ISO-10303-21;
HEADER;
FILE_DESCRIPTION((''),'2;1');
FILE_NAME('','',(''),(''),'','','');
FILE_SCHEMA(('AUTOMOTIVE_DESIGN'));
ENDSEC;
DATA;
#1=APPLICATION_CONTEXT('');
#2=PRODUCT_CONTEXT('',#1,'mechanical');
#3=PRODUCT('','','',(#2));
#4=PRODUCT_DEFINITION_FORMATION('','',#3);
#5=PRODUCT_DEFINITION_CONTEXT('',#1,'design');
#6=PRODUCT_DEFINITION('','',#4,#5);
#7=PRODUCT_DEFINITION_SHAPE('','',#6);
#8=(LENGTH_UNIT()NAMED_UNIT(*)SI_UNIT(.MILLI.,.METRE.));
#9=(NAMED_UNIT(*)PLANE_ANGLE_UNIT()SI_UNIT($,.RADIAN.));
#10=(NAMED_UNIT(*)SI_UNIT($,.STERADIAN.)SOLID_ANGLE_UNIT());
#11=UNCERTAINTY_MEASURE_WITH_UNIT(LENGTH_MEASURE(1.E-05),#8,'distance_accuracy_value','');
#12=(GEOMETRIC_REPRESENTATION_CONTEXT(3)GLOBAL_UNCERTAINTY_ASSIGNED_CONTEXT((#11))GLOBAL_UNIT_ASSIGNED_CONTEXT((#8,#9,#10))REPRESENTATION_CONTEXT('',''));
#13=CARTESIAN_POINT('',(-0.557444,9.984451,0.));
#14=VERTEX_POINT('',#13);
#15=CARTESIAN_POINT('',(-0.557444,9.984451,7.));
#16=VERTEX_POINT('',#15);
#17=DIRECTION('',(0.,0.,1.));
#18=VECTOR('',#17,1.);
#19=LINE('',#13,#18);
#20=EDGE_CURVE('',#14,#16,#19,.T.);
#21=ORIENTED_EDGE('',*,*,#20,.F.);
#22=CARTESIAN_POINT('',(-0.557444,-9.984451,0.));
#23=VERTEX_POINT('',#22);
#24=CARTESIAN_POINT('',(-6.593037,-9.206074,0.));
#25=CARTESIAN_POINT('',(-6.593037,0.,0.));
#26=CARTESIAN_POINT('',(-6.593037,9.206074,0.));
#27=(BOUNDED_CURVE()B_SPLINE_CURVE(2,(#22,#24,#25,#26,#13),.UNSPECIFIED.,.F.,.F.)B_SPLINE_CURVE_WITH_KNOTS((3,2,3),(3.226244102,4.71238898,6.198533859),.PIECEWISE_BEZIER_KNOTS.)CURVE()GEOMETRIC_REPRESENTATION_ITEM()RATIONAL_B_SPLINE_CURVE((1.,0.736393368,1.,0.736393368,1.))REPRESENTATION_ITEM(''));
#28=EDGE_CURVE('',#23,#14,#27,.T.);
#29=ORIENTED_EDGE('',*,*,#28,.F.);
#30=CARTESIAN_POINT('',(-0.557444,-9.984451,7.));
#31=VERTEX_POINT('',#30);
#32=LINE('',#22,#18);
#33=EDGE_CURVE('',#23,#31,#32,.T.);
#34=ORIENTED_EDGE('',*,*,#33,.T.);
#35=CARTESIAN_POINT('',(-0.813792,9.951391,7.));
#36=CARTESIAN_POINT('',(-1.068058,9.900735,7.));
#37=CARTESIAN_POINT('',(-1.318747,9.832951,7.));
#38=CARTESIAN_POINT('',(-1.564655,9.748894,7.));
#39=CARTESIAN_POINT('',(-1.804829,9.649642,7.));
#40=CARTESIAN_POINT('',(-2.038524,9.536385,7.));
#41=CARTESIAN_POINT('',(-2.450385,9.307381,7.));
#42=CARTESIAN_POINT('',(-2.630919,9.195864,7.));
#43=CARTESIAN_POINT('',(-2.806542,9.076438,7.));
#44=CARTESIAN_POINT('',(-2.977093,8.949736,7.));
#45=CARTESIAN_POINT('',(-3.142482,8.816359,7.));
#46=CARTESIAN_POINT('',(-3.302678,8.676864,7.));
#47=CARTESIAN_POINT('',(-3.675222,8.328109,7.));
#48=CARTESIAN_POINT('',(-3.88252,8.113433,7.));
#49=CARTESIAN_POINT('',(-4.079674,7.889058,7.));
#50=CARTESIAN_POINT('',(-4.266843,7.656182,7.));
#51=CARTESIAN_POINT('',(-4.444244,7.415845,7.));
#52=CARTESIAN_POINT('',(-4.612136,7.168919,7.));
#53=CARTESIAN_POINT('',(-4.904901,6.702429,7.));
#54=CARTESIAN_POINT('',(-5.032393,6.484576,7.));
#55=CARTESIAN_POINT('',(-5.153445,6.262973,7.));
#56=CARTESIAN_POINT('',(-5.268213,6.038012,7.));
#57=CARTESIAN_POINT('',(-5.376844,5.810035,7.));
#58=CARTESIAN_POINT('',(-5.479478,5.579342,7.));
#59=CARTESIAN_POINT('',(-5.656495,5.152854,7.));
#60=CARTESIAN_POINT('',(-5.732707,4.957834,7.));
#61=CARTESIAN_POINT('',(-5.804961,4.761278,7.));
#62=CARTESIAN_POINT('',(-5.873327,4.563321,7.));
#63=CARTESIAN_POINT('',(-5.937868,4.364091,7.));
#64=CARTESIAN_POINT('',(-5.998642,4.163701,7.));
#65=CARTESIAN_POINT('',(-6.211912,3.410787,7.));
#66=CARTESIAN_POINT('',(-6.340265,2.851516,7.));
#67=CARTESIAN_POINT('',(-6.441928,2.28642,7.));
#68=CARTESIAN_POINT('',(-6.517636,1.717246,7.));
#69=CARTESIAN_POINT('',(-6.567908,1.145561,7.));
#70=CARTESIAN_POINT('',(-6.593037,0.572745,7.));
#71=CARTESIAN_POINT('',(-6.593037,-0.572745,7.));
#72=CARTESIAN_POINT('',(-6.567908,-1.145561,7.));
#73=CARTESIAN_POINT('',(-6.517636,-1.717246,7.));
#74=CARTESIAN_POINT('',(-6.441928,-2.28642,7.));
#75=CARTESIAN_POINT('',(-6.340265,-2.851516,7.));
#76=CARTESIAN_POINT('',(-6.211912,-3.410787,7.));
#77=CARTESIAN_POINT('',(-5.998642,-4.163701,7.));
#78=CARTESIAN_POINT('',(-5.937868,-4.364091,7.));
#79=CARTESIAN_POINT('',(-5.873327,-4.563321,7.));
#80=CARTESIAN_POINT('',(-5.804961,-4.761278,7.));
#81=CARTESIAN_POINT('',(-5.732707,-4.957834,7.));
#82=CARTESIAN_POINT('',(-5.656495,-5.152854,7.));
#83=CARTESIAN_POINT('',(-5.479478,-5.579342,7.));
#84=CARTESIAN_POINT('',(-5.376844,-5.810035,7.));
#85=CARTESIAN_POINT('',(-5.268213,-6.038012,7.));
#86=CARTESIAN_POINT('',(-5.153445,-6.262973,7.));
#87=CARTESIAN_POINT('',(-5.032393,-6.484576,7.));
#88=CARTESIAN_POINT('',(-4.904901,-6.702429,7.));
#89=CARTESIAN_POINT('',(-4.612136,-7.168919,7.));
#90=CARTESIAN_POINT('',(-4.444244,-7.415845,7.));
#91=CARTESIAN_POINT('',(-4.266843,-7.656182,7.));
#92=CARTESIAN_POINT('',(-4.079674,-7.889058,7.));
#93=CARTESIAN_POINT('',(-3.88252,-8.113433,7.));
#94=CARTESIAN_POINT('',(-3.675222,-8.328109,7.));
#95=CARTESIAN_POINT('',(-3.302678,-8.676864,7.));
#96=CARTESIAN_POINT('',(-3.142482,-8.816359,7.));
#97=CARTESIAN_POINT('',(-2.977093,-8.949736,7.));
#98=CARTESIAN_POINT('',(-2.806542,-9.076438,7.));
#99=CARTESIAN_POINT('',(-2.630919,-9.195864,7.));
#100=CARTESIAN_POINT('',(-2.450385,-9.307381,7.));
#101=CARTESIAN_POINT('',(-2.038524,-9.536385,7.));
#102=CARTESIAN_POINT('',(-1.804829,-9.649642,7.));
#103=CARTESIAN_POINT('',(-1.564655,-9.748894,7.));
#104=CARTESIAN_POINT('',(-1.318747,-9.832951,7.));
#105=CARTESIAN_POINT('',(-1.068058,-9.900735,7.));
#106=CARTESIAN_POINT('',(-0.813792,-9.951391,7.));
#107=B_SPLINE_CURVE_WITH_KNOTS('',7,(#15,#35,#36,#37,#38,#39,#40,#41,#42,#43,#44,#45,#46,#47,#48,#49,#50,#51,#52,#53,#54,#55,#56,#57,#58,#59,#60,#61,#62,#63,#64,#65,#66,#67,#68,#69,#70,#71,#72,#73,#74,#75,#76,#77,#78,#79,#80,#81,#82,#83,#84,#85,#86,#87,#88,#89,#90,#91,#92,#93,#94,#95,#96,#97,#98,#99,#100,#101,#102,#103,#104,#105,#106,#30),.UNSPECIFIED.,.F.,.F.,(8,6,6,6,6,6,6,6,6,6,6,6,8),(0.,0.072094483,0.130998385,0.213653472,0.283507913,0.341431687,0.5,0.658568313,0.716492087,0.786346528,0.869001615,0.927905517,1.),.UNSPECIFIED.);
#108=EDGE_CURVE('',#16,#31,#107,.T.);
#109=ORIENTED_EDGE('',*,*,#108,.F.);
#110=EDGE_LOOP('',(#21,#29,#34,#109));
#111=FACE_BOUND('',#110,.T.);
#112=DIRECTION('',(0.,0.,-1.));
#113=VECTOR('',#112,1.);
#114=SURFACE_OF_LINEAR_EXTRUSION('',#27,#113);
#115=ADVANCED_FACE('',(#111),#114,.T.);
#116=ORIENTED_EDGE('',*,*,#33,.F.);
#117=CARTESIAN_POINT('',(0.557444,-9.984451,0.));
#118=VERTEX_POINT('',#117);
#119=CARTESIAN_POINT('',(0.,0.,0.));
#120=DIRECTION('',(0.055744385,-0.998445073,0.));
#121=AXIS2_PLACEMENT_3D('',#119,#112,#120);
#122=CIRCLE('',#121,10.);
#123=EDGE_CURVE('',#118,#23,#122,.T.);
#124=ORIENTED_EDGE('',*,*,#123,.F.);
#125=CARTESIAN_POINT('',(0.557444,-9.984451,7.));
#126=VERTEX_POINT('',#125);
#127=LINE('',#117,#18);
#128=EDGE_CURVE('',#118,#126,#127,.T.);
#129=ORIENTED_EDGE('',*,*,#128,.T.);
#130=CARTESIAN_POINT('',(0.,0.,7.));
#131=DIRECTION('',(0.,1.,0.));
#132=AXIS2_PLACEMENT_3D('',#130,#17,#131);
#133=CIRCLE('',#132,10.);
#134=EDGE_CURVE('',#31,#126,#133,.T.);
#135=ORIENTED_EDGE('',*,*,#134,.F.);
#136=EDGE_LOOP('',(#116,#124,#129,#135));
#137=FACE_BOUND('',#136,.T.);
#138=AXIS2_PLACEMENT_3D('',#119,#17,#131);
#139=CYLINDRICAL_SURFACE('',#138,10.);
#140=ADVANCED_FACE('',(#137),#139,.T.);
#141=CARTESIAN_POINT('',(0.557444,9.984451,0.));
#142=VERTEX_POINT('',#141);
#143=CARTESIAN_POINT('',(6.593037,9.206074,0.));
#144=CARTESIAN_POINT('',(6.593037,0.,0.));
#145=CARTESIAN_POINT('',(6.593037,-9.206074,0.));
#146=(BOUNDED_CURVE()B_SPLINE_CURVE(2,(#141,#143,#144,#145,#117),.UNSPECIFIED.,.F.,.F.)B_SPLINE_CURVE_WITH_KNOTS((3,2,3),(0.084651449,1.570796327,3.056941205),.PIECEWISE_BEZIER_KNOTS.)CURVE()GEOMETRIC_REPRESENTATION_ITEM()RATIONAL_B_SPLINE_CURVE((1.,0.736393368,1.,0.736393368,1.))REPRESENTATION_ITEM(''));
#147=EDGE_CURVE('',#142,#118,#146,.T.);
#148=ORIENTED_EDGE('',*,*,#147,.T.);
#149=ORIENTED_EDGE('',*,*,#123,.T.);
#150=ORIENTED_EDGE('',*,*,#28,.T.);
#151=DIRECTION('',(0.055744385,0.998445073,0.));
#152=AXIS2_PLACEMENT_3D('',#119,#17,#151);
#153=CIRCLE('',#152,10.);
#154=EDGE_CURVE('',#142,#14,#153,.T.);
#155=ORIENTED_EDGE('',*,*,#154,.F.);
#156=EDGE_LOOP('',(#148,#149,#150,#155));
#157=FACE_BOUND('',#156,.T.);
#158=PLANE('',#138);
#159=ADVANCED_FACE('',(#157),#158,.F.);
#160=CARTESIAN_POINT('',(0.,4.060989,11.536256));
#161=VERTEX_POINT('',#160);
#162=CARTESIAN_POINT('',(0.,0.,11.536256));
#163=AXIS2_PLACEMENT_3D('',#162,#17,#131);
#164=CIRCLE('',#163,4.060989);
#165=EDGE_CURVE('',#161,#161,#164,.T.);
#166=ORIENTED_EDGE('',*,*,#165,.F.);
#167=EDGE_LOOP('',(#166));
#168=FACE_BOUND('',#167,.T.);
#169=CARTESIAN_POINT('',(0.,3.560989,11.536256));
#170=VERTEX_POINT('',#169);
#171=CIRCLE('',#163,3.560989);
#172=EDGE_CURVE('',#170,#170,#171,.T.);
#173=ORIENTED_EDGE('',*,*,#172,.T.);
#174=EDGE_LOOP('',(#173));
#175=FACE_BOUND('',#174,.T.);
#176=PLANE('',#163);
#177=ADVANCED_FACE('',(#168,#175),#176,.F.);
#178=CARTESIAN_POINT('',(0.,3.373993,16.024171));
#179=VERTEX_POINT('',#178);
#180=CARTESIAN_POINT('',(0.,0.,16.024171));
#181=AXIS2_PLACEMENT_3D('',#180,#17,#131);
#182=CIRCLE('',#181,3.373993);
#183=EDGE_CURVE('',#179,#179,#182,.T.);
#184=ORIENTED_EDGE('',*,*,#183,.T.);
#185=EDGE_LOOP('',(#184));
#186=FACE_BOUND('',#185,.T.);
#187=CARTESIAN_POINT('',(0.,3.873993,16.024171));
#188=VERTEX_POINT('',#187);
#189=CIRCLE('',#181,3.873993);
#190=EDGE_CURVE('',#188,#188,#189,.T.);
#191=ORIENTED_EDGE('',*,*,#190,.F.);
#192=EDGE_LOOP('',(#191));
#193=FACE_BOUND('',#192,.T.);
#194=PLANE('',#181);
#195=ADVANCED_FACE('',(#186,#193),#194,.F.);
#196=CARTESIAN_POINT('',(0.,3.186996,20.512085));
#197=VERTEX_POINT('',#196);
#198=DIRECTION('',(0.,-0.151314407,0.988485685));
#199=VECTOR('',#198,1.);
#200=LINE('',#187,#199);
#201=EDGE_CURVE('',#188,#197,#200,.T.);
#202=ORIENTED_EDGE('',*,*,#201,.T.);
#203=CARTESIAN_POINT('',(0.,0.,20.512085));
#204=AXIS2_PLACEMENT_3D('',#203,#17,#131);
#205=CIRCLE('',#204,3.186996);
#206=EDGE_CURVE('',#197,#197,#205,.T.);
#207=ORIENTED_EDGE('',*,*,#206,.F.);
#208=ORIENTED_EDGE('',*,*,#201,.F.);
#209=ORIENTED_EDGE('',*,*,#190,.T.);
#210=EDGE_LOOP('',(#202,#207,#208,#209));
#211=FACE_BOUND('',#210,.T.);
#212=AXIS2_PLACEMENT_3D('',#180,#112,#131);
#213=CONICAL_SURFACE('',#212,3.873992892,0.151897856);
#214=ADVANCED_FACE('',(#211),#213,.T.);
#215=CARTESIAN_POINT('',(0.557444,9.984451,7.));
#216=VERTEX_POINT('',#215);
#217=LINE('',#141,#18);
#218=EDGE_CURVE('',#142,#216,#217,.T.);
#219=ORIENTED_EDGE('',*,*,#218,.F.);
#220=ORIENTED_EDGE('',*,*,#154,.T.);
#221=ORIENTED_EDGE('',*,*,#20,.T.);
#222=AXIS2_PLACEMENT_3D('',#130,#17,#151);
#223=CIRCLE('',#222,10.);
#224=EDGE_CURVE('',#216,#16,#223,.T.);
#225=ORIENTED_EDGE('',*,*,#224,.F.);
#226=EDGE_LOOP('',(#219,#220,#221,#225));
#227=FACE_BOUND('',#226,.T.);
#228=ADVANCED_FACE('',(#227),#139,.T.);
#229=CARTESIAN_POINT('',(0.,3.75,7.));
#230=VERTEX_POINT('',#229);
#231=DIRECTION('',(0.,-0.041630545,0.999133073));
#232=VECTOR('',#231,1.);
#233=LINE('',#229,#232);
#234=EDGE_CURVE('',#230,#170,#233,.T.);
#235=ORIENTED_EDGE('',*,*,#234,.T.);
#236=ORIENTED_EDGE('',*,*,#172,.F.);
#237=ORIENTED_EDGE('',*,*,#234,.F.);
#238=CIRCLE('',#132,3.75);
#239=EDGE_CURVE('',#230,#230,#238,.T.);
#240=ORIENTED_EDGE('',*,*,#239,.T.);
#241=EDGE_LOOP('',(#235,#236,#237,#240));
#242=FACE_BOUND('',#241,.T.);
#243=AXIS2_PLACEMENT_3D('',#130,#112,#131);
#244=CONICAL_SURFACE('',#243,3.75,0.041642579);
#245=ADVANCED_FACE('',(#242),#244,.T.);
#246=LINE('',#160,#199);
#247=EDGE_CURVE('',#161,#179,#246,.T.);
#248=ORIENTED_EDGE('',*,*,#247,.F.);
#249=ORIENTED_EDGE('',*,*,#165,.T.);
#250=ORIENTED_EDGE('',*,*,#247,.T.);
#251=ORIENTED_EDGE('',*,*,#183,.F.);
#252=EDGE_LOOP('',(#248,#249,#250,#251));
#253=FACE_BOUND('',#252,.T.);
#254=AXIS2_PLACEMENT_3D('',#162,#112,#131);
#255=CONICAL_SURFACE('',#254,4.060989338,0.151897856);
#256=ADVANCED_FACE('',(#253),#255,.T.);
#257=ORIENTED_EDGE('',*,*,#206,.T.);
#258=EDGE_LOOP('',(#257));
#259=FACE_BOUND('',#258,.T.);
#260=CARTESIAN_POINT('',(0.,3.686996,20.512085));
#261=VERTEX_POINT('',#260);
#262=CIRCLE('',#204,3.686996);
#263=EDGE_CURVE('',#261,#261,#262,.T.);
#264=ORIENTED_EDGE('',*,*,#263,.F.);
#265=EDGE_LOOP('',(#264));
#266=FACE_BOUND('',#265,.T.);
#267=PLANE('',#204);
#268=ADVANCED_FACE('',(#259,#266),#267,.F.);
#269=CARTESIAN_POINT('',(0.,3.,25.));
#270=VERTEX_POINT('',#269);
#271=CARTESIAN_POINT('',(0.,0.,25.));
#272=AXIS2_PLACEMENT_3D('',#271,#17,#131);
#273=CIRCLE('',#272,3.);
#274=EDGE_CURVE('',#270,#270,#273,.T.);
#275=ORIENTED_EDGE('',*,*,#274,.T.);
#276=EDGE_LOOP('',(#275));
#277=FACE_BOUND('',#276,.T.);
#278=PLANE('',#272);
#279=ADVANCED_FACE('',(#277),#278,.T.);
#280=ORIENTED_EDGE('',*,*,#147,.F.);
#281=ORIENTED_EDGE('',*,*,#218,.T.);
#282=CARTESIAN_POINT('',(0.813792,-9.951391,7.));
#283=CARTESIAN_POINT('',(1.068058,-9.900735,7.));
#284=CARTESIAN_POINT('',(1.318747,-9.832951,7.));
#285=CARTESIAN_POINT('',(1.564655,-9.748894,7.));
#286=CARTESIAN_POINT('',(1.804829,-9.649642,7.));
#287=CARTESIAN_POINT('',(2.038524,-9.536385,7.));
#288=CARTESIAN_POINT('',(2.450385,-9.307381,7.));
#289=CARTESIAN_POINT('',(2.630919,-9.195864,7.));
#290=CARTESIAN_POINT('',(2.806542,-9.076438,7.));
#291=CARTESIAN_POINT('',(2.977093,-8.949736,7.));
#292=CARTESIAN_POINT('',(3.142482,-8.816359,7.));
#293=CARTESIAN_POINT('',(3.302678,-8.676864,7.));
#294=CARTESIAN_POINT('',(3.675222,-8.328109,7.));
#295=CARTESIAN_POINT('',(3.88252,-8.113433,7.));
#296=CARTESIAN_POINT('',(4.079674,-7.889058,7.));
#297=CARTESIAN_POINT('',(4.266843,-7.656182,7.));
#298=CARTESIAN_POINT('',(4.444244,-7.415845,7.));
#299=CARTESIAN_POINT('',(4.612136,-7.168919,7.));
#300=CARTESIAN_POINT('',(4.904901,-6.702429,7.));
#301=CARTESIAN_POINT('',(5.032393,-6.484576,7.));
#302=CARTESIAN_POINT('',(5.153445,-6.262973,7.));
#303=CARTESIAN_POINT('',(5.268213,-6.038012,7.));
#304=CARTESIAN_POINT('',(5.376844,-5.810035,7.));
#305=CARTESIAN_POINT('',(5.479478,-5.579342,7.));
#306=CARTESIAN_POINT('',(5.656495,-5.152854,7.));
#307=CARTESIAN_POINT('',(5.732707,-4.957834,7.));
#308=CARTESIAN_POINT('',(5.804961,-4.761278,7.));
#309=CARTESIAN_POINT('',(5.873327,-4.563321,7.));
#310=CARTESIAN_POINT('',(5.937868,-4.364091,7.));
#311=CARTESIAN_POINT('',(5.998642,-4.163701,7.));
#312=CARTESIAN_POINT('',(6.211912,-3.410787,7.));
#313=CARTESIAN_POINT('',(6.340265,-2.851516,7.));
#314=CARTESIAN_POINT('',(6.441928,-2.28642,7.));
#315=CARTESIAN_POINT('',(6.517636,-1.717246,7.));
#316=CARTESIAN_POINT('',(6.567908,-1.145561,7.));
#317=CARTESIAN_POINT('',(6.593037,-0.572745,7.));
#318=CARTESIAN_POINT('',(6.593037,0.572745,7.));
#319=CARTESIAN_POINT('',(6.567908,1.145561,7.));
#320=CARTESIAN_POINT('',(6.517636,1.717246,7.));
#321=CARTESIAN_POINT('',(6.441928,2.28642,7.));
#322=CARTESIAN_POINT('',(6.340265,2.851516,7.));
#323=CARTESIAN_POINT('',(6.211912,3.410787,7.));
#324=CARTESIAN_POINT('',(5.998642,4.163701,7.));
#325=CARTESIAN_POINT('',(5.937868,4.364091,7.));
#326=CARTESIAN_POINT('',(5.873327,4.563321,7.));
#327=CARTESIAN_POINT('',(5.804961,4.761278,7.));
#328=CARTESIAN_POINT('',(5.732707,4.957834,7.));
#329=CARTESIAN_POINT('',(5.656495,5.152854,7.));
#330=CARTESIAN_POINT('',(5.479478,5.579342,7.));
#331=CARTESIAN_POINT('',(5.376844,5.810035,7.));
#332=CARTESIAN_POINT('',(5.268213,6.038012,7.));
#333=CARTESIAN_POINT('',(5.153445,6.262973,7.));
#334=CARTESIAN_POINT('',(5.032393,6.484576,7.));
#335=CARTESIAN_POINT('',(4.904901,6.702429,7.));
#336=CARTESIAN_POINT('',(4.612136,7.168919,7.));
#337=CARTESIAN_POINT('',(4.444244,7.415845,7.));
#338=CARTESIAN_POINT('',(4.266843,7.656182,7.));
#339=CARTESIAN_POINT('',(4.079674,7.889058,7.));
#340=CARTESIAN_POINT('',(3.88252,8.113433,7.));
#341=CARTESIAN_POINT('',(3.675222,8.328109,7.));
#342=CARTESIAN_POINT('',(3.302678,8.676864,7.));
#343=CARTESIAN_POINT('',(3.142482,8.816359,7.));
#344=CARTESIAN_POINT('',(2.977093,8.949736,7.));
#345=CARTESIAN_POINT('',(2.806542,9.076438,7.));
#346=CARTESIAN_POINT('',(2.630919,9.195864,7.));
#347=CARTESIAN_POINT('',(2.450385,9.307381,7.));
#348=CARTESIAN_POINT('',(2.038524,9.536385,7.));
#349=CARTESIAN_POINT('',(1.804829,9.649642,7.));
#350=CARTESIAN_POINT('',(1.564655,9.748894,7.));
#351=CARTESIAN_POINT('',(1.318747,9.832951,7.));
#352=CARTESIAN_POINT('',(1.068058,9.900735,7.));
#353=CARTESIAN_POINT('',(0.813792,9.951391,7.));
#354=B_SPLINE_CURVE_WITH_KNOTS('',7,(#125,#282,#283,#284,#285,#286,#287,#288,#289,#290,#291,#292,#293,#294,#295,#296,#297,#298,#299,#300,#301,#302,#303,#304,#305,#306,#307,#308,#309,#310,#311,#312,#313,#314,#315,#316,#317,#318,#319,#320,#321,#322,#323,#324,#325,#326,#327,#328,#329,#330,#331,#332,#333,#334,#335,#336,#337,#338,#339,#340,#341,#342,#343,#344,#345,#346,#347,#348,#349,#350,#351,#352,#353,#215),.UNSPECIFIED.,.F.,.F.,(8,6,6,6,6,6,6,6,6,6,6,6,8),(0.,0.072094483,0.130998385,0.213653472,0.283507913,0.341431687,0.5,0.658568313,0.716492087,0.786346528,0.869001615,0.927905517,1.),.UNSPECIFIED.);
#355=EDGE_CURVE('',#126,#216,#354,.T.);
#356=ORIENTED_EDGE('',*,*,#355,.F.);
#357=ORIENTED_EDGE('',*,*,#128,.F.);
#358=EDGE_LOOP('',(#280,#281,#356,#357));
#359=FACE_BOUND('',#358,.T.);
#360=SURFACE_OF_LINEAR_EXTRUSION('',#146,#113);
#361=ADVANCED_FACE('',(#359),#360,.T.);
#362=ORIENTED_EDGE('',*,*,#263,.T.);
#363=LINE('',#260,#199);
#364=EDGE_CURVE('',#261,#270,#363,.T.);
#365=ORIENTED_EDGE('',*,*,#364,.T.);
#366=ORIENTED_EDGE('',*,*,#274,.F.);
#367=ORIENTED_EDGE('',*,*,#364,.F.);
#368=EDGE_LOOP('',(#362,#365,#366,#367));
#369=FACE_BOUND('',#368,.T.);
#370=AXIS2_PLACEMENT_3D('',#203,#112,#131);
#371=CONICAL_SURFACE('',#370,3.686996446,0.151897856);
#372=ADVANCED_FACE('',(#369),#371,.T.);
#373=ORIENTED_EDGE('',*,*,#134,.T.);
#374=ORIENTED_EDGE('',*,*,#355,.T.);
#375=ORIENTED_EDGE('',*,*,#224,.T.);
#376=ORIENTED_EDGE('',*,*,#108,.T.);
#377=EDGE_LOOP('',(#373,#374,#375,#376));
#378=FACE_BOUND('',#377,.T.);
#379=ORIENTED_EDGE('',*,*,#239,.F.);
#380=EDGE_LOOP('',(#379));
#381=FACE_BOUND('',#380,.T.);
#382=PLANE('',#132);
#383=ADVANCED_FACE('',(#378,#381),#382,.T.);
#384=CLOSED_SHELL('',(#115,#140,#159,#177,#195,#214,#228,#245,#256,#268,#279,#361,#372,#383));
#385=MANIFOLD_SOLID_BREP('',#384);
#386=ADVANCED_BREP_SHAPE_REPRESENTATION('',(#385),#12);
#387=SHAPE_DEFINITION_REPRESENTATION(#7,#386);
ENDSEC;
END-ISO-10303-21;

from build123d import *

# Parameters (mm, degrees)
F3_DEPTH = 25.001


with BuildPart() as f1:
    # F0 (on Right) → F1 (revolve)
    with BuildSketch(Plane.YZ):
        Polygon((3, 25), (0, 25), (0, 0), (10, 0), (10, 7), (3.75, 7), (3.560989338, 11.5362558876), (4.060989338, 11.5362558876), (3.373992892, 16.0241705917), (3.873992892, 16.0241705917), (3.186996446, 20.5120852959), (3.686996446, 20.5120852959), align=None)
    revolve(axis=Axis((0, 0, 31.1523070624), (0, 0, 1)))

    # F2 (on face) → F3 (intersect, through all)
    with BuildSketch(Plane(origin=(0, 0, 0), x_dir=(1, 0, 0), z_dir=(0, 0, -1))):
        with BuildLine():
            add(Edge.make_bspline(
                [(0.5574438539, -9.9844507285), (6.5930374607, -9.2060736587), (6.5930374607, 0), (6.5930374607, 9.2060736587), (0.5574438539, 9.9844507285)],
                knots=[0.0846514487, 0.0846514487, 0.0846514487, 1.5707963268, 1.5707963268, 3.0569412049, 3.0569412049, 3.0569412049], degree=2, weights=[1, 0.736393368, 1, 0.736393368, 1]))
            ThreePointArc((0.5574438539, 9.9844507285), (0, 10), (-0.5574438539, 9.9844507285))
            add(Edge.make_bspline(
                [(-0.5574438539, 9.9844507285), (-6.5930374607, 9.2060736587), (-6.5930374607, 0), (-6.5930374607, -9.2060736587), (-0.5574438539, -9.9844507285)],
                knots=[3.2262441023, 3.2262441023, 3.2262441023, 4.7123889804, 4.7123889804, 6.1985338585, 6.1985338585, 6.1985338585], degree=2, weights=[1, 0.736393368, 1, 0.736393368, 1]))
            ThreePointArc((-0.5574438539, -9.9844507285), (0, -10), (0.5574438539, -9.9844507285))
        make_face()
    extrude(amount=-F3_DEPTH, mode=Mode.INTERSECT)


solid = f1.part
